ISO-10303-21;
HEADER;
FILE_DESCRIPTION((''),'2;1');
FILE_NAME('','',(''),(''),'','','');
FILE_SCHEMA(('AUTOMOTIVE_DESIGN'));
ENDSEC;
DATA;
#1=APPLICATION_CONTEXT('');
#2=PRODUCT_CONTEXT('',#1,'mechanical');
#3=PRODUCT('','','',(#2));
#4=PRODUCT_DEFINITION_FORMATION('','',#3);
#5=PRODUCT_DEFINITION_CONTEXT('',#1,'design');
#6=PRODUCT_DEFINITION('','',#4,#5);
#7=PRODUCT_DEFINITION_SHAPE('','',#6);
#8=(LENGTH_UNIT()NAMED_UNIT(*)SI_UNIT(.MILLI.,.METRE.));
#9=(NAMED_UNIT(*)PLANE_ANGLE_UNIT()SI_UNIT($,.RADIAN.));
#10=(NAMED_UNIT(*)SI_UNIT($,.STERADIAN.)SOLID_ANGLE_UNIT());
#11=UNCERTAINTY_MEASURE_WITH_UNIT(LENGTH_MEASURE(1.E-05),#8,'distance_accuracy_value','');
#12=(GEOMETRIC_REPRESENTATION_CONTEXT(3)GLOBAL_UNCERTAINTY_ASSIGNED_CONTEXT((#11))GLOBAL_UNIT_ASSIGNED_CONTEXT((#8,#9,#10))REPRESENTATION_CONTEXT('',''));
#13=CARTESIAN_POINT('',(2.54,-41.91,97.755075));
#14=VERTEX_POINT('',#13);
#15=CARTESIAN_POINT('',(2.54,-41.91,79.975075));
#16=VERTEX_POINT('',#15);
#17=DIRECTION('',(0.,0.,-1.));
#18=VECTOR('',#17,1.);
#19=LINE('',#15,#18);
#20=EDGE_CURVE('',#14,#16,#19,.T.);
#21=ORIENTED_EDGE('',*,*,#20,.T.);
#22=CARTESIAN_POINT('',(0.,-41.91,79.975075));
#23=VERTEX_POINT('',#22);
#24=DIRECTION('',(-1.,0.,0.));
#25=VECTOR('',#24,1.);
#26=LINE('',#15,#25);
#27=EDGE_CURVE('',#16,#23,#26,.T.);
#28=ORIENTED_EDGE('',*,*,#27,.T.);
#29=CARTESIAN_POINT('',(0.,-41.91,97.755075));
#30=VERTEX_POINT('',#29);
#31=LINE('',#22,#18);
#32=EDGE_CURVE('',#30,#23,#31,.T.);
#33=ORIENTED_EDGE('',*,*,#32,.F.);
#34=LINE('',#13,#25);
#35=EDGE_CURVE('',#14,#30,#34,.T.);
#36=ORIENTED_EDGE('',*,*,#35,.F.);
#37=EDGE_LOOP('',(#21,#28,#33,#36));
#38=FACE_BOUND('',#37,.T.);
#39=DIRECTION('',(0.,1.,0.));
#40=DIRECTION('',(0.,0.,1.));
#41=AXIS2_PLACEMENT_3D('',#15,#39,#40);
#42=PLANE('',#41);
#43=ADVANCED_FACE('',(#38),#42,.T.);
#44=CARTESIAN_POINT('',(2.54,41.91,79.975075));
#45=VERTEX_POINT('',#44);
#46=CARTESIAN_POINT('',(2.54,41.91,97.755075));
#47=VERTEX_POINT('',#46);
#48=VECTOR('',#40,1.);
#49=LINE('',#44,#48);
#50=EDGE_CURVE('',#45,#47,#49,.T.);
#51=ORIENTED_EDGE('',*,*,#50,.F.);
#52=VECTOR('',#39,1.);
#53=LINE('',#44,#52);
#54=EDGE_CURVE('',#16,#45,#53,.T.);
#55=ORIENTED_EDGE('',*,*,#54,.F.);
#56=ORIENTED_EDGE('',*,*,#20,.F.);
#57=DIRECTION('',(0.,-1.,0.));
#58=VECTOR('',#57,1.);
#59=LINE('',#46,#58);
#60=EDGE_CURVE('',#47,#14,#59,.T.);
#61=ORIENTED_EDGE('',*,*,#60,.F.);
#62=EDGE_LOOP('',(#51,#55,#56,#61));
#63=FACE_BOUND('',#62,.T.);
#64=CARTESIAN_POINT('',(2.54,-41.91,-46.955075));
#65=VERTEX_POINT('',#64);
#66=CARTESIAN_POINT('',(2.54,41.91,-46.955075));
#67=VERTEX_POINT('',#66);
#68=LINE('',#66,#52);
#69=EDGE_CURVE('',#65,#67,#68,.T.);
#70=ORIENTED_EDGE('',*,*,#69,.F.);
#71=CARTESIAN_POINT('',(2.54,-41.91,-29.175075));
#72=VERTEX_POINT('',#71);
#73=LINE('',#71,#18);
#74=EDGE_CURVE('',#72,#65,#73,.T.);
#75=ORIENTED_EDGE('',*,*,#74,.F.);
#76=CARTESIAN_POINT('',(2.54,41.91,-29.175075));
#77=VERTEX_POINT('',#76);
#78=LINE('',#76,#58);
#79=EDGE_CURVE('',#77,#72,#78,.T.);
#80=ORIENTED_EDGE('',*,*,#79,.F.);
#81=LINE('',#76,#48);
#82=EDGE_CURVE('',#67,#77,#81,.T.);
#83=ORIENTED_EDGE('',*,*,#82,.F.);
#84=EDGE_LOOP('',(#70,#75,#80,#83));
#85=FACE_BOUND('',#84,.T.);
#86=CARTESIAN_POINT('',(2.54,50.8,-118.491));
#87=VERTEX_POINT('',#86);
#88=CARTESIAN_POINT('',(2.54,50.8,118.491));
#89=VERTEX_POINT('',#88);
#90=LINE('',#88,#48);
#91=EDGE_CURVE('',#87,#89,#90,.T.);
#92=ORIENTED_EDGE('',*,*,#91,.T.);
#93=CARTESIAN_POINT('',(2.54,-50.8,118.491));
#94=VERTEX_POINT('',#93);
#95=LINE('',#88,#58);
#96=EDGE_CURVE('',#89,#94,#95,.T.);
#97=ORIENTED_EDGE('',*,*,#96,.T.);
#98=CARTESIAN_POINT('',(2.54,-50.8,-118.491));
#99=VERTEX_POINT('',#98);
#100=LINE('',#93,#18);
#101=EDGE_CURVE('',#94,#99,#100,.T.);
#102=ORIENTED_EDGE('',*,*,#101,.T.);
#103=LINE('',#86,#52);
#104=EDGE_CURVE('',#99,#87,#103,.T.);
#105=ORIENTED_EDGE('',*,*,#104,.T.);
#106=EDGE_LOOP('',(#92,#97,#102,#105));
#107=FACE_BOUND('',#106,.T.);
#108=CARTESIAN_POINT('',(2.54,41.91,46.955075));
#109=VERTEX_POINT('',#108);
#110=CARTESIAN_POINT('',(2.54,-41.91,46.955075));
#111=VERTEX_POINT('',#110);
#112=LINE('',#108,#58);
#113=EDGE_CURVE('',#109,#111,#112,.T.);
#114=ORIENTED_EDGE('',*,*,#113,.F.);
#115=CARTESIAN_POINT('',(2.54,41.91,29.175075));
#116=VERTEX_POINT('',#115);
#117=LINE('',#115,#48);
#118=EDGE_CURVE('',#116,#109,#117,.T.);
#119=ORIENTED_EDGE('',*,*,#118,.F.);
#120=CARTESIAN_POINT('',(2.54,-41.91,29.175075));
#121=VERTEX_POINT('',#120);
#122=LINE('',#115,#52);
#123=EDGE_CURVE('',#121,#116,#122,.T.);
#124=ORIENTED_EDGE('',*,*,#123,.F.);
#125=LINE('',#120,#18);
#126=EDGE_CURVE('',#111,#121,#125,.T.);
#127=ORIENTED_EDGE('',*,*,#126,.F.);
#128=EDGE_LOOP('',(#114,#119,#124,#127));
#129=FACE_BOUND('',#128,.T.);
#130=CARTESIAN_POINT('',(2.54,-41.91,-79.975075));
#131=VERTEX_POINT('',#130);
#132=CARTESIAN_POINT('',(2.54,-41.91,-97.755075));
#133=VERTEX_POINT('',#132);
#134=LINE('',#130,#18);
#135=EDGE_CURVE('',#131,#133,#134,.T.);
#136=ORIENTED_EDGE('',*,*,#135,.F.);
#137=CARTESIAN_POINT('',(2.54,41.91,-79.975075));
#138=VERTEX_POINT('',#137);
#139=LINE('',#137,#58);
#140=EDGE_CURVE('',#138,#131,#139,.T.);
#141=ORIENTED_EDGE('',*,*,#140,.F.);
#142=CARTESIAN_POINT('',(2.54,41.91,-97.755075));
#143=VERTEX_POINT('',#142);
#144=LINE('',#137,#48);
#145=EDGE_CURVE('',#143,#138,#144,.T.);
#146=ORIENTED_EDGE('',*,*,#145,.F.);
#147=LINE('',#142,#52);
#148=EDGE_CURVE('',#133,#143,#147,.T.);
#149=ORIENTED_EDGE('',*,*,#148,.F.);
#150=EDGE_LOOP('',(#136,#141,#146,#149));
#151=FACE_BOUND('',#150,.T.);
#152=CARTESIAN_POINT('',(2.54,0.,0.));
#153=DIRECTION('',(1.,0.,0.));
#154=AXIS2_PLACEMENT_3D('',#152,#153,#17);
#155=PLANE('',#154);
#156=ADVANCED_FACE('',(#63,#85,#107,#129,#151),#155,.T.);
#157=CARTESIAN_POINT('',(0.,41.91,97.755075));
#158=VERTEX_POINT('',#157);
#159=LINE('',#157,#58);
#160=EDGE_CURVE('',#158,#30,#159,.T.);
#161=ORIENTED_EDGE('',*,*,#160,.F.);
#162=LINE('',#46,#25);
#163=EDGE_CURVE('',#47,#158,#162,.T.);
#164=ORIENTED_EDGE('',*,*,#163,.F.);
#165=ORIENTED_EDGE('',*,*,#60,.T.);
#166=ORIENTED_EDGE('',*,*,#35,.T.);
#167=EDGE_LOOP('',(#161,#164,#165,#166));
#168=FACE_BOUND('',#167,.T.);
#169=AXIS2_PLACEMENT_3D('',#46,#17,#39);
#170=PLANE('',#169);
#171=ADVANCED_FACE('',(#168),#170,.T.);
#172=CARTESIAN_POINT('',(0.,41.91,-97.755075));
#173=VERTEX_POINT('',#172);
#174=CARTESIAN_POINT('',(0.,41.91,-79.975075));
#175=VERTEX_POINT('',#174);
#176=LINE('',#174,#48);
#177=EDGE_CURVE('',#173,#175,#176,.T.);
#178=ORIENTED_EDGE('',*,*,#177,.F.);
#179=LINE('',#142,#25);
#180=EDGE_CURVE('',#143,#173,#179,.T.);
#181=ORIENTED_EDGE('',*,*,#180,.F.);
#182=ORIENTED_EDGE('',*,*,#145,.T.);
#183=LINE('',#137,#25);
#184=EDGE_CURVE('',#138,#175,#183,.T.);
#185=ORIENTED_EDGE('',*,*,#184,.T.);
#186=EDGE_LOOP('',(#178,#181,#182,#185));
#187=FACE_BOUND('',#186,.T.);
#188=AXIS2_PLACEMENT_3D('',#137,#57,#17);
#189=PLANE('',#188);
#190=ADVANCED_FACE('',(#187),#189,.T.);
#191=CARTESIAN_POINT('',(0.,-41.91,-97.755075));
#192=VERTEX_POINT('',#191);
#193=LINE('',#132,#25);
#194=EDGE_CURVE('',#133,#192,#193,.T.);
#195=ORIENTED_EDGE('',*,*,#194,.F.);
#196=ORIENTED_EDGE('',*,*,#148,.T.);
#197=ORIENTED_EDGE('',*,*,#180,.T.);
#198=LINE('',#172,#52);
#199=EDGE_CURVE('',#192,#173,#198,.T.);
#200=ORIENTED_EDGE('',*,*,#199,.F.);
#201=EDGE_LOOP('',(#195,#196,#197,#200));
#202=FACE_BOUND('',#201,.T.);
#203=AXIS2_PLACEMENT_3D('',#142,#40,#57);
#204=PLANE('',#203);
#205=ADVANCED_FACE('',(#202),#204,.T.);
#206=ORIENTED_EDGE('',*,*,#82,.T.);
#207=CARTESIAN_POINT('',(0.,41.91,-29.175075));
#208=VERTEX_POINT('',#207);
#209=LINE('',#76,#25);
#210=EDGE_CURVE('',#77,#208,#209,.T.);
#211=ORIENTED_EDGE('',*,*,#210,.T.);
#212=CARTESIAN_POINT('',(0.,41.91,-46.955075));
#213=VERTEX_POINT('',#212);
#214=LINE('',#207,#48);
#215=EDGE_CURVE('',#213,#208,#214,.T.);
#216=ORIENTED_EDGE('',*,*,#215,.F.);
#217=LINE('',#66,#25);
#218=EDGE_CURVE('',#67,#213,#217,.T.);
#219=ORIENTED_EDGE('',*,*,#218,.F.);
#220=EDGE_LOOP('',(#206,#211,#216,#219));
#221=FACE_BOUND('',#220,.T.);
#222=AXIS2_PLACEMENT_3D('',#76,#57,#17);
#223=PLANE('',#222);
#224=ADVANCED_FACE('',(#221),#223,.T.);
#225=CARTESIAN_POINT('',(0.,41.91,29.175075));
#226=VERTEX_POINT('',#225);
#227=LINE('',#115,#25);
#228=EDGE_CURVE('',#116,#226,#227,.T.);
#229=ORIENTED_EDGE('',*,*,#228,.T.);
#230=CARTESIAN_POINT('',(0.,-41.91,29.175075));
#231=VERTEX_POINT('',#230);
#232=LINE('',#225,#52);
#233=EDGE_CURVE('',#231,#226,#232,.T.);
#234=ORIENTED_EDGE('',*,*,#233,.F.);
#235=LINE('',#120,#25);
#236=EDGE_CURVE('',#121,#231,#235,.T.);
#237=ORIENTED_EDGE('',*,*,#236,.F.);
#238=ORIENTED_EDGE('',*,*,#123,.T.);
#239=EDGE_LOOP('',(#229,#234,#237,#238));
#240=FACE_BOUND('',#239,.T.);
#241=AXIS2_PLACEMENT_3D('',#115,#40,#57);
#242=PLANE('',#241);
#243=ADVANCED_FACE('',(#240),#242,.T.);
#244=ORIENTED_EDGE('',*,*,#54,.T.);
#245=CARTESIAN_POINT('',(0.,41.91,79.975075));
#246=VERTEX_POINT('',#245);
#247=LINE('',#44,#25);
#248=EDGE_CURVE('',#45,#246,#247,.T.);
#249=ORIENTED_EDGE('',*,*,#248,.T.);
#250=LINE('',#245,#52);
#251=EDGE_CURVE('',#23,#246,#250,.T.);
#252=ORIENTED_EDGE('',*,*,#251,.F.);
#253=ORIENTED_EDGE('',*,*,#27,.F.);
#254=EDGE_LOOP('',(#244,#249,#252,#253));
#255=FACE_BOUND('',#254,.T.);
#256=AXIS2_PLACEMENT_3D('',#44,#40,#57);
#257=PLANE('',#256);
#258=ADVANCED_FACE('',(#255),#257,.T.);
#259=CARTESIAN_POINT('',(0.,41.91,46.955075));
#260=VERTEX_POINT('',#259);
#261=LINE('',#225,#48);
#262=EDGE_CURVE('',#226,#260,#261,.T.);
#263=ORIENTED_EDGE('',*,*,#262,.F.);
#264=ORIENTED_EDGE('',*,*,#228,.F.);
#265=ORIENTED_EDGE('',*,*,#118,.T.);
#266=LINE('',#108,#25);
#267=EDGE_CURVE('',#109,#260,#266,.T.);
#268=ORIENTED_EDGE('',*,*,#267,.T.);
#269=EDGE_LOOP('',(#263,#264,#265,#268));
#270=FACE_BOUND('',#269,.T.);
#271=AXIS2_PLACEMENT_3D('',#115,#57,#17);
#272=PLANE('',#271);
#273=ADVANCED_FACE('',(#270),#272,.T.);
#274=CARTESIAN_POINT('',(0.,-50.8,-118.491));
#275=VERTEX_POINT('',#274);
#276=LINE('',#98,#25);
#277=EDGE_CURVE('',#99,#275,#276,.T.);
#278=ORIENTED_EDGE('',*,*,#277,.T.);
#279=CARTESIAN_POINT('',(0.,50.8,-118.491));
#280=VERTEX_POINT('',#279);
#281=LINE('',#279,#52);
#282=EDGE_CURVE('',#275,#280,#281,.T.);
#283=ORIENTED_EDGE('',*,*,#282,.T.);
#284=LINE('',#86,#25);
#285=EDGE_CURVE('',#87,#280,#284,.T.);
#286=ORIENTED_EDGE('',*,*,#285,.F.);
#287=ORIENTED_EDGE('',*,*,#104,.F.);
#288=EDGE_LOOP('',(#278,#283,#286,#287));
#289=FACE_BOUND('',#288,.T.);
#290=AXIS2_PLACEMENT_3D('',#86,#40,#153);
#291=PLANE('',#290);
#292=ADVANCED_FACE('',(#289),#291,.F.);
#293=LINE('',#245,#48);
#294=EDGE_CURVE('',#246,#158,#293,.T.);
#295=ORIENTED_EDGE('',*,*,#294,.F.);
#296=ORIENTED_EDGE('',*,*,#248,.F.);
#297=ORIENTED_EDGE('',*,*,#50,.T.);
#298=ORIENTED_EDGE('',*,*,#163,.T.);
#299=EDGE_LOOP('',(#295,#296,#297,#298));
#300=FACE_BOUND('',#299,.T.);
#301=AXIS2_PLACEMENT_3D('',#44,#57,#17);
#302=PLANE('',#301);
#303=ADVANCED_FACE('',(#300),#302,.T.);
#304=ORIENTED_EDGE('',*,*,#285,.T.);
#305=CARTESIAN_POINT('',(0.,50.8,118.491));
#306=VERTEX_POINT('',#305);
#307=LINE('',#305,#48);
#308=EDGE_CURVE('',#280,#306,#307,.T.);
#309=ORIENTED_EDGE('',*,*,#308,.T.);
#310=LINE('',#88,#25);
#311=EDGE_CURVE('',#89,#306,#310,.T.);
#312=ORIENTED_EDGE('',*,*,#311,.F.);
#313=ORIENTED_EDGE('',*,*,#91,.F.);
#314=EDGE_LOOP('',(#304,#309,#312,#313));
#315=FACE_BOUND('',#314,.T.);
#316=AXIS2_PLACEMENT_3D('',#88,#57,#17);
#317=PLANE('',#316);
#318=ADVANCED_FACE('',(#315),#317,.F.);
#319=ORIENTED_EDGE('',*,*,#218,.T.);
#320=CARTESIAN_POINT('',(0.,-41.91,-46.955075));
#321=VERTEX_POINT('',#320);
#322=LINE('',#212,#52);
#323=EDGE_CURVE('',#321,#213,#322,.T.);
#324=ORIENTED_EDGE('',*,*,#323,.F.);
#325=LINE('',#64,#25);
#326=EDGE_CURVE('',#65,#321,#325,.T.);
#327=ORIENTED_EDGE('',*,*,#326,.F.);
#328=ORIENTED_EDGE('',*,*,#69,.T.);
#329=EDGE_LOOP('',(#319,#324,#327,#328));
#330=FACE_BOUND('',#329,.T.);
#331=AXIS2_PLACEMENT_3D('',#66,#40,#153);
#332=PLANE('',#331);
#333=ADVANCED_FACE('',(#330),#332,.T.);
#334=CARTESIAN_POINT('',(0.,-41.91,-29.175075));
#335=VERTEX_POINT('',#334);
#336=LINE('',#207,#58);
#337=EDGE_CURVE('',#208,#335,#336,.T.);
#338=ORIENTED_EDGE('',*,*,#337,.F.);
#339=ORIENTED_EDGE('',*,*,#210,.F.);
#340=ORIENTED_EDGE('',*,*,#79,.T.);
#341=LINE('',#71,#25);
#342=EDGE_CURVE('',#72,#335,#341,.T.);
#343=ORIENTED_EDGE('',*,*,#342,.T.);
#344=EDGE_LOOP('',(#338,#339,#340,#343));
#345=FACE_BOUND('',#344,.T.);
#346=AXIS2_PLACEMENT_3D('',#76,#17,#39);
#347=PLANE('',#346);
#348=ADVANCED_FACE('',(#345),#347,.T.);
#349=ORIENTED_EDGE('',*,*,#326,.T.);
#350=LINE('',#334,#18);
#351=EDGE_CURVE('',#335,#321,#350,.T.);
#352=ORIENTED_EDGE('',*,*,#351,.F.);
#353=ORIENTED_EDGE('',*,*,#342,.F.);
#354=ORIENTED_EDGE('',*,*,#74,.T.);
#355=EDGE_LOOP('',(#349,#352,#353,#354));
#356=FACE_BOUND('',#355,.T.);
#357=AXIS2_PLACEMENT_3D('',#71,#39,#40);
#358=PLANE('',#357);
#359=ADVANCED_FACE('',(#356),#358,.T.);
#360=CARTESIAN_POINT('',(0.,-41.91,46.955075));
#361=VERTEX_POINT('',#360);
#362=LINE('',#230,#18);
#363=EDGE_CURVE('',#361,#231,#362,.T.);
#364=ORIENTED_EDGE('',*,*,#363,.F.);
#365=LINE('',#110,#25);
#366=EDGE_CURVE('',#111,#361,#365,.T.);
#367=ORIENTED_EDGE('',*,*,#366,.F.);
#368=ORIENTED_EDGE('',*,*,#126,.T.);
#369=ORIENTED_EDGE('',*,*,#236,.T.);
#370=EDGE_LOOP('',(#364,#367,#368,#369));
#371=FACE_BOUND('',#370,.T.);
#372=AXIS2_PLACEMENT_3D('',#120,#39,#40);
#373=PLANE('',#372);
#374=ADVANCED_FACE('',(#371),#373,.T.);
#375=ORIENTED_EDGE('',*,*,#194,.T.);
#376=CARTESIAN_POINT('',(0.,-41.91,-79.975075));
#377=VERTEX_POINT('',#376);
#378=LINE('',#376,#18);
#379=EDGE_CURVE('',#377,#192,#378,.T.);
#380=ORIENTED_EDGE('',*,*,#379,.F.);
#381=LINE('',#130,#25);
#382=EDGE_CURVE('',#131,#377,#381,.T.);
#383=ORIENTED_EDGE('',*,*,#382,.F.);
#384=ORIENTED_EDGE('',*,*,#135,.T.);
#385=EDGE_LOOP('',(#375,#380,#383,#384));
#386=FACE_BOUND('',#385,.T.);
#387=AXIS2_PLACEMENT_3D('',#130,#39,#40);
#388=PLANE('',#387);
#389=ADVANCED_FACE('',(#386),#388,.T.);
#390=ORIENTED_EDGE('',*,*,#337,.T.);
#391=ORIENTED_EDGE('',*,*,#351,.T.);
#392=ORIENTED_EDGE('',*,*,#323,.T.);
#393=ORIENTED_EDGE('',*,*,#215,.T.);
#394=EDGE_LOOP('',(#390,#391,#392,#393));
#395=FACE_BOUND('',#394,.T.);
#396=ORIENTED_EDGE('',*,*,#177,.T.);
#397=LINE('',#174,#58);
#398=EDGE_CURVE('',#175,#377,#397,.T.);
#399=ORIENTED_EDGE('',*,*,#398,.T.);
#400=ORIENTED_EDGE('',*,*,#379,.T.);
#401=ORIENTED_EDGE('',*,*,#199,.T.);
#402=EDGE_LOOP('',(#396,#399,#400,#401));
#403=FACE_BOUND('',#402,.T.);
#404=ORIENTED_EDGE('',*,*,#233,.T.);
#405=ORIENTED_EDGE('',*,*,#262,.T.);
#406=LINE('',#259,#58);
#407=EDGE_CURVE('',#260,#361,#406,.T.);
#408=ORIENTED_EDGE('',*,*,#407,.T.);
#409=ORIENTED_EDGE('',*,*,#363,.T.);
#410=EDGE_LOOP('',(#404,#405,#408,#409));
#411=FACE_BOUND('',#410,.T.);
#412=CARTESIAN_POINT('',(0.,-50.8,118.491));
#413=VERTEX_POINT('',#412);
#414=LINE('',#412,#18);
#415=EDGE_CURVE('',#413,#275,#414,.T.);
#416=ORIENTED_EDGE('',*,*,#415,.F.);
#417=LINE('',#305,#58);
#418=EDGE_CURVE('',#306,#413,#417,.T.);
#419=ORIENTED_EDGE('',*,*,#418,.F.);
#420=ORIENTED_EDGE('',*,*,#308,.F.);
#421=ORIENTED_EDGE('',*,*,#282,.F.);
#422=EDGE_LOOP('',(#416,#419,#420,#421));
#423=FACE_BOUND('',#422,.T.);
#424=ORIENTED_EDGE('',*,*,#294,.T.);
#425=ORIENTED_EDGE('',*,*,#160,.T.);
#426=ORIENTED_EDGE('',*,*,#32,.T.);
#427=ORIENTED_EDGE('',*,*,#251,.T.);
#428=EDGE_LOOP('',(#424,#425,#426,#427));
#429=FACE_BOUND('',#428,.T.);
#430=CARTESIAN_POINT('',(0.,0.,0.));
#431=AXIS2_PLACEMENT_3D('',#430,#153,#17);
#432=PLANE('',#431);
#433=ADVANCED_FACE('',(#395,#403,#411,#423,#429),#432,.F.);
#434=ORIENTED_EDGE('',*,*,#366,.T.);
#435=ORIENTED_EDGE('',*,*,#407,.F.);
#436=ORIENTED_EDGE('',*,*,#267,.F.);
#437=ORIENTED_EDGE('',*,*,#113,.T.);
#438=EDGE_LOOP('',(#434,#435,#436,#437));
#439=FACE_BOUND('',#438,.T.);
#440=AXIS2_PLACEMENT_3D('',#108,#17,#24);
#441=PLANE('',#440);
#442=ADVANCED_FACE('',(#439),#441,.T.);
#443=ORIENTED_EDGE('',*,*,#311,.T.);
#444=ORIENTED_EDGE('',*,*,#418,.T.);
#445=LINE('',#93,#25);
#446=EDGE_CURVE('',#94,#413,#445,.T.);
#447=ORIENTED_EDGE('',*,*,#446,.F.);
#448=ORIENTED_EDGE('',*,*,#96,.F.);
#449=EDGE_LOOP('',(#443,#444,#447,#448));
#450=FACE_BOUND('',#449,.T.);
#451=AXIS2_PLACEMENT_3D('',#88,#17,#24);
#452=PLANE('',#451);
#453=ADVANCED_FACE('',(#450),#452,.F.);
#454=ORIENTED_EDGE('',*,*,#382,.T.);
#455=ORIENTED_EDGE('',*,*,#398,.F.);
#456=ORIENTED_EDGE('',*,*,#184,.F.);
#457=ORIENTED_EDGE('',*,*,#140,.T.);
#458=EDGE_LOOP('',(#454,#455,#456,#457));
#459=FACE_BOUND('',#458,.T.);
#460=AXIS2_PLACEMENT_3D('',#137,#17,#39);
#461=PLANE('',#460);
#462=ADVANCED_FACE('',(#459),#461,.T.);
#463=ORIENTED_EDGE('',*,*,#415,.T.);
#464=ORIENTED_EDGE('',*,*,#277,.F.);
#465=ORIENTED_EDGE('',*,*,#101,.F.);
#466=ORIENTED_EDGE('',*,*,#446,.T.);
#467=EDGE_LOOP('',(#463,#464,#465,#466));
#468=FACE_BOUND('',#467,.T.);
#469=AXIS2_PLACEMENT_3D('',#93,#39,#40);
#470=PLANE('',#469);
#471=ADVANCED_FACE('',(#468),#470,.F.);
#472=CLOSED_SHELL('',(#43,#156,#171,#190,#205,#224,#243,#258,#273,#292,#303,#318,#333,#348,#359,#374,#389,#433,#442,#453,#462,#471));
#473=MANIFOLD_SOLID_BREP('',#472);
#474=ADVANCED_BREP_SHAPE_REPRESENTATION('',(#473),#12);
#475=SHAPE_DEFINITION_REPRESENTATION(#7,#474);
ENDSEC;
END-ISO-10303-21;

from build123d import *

# Parameters (mm, degrees)
SKETCH1_W           = 236.982
SKETCH1_H           = 101.6
SKETCH1_W_2         = 17.78
SKETCH1_H_2         = 83.82
BOSS_EXTRUDE1_DEPTH = 2.54


with BuildPart() as part:
    # Sketch1 → Boss-Extrude1 (new body)
    with BuildSketch(Plane(origin=(0, 0, 0), x_dir=(0, 0, -1), z_dir=(1, 0, 0))):
        Rectangle(SKETCH1_W, SKETCH1_H)
        with Locations((88.865075, 0)):
            Rectangle(SKETCH1_W_2, SKETCH1_H_2, mode=Mode.SUBTRACT)
        with Locations((38.065075, 0)):
            Rectangle(SKETCH1_W_2, SKETCH1_H_2, mode=Mode.SUBTRACT)
        with Locations((-88.865075, 0)):
            Rectangle(SKETCH1_W_2, SKETCH1_H_2, mode=Mode.SUBTRACT)
        with Locations((-38.065075, 0)):
            Rectangle(SKETCH1_W_2, SKETCH1_H_2, mode=Mode.SUBTRACT)
    extrude(amount=BOSS_EXTRUDE1_DEPTH)


solid = part.part
